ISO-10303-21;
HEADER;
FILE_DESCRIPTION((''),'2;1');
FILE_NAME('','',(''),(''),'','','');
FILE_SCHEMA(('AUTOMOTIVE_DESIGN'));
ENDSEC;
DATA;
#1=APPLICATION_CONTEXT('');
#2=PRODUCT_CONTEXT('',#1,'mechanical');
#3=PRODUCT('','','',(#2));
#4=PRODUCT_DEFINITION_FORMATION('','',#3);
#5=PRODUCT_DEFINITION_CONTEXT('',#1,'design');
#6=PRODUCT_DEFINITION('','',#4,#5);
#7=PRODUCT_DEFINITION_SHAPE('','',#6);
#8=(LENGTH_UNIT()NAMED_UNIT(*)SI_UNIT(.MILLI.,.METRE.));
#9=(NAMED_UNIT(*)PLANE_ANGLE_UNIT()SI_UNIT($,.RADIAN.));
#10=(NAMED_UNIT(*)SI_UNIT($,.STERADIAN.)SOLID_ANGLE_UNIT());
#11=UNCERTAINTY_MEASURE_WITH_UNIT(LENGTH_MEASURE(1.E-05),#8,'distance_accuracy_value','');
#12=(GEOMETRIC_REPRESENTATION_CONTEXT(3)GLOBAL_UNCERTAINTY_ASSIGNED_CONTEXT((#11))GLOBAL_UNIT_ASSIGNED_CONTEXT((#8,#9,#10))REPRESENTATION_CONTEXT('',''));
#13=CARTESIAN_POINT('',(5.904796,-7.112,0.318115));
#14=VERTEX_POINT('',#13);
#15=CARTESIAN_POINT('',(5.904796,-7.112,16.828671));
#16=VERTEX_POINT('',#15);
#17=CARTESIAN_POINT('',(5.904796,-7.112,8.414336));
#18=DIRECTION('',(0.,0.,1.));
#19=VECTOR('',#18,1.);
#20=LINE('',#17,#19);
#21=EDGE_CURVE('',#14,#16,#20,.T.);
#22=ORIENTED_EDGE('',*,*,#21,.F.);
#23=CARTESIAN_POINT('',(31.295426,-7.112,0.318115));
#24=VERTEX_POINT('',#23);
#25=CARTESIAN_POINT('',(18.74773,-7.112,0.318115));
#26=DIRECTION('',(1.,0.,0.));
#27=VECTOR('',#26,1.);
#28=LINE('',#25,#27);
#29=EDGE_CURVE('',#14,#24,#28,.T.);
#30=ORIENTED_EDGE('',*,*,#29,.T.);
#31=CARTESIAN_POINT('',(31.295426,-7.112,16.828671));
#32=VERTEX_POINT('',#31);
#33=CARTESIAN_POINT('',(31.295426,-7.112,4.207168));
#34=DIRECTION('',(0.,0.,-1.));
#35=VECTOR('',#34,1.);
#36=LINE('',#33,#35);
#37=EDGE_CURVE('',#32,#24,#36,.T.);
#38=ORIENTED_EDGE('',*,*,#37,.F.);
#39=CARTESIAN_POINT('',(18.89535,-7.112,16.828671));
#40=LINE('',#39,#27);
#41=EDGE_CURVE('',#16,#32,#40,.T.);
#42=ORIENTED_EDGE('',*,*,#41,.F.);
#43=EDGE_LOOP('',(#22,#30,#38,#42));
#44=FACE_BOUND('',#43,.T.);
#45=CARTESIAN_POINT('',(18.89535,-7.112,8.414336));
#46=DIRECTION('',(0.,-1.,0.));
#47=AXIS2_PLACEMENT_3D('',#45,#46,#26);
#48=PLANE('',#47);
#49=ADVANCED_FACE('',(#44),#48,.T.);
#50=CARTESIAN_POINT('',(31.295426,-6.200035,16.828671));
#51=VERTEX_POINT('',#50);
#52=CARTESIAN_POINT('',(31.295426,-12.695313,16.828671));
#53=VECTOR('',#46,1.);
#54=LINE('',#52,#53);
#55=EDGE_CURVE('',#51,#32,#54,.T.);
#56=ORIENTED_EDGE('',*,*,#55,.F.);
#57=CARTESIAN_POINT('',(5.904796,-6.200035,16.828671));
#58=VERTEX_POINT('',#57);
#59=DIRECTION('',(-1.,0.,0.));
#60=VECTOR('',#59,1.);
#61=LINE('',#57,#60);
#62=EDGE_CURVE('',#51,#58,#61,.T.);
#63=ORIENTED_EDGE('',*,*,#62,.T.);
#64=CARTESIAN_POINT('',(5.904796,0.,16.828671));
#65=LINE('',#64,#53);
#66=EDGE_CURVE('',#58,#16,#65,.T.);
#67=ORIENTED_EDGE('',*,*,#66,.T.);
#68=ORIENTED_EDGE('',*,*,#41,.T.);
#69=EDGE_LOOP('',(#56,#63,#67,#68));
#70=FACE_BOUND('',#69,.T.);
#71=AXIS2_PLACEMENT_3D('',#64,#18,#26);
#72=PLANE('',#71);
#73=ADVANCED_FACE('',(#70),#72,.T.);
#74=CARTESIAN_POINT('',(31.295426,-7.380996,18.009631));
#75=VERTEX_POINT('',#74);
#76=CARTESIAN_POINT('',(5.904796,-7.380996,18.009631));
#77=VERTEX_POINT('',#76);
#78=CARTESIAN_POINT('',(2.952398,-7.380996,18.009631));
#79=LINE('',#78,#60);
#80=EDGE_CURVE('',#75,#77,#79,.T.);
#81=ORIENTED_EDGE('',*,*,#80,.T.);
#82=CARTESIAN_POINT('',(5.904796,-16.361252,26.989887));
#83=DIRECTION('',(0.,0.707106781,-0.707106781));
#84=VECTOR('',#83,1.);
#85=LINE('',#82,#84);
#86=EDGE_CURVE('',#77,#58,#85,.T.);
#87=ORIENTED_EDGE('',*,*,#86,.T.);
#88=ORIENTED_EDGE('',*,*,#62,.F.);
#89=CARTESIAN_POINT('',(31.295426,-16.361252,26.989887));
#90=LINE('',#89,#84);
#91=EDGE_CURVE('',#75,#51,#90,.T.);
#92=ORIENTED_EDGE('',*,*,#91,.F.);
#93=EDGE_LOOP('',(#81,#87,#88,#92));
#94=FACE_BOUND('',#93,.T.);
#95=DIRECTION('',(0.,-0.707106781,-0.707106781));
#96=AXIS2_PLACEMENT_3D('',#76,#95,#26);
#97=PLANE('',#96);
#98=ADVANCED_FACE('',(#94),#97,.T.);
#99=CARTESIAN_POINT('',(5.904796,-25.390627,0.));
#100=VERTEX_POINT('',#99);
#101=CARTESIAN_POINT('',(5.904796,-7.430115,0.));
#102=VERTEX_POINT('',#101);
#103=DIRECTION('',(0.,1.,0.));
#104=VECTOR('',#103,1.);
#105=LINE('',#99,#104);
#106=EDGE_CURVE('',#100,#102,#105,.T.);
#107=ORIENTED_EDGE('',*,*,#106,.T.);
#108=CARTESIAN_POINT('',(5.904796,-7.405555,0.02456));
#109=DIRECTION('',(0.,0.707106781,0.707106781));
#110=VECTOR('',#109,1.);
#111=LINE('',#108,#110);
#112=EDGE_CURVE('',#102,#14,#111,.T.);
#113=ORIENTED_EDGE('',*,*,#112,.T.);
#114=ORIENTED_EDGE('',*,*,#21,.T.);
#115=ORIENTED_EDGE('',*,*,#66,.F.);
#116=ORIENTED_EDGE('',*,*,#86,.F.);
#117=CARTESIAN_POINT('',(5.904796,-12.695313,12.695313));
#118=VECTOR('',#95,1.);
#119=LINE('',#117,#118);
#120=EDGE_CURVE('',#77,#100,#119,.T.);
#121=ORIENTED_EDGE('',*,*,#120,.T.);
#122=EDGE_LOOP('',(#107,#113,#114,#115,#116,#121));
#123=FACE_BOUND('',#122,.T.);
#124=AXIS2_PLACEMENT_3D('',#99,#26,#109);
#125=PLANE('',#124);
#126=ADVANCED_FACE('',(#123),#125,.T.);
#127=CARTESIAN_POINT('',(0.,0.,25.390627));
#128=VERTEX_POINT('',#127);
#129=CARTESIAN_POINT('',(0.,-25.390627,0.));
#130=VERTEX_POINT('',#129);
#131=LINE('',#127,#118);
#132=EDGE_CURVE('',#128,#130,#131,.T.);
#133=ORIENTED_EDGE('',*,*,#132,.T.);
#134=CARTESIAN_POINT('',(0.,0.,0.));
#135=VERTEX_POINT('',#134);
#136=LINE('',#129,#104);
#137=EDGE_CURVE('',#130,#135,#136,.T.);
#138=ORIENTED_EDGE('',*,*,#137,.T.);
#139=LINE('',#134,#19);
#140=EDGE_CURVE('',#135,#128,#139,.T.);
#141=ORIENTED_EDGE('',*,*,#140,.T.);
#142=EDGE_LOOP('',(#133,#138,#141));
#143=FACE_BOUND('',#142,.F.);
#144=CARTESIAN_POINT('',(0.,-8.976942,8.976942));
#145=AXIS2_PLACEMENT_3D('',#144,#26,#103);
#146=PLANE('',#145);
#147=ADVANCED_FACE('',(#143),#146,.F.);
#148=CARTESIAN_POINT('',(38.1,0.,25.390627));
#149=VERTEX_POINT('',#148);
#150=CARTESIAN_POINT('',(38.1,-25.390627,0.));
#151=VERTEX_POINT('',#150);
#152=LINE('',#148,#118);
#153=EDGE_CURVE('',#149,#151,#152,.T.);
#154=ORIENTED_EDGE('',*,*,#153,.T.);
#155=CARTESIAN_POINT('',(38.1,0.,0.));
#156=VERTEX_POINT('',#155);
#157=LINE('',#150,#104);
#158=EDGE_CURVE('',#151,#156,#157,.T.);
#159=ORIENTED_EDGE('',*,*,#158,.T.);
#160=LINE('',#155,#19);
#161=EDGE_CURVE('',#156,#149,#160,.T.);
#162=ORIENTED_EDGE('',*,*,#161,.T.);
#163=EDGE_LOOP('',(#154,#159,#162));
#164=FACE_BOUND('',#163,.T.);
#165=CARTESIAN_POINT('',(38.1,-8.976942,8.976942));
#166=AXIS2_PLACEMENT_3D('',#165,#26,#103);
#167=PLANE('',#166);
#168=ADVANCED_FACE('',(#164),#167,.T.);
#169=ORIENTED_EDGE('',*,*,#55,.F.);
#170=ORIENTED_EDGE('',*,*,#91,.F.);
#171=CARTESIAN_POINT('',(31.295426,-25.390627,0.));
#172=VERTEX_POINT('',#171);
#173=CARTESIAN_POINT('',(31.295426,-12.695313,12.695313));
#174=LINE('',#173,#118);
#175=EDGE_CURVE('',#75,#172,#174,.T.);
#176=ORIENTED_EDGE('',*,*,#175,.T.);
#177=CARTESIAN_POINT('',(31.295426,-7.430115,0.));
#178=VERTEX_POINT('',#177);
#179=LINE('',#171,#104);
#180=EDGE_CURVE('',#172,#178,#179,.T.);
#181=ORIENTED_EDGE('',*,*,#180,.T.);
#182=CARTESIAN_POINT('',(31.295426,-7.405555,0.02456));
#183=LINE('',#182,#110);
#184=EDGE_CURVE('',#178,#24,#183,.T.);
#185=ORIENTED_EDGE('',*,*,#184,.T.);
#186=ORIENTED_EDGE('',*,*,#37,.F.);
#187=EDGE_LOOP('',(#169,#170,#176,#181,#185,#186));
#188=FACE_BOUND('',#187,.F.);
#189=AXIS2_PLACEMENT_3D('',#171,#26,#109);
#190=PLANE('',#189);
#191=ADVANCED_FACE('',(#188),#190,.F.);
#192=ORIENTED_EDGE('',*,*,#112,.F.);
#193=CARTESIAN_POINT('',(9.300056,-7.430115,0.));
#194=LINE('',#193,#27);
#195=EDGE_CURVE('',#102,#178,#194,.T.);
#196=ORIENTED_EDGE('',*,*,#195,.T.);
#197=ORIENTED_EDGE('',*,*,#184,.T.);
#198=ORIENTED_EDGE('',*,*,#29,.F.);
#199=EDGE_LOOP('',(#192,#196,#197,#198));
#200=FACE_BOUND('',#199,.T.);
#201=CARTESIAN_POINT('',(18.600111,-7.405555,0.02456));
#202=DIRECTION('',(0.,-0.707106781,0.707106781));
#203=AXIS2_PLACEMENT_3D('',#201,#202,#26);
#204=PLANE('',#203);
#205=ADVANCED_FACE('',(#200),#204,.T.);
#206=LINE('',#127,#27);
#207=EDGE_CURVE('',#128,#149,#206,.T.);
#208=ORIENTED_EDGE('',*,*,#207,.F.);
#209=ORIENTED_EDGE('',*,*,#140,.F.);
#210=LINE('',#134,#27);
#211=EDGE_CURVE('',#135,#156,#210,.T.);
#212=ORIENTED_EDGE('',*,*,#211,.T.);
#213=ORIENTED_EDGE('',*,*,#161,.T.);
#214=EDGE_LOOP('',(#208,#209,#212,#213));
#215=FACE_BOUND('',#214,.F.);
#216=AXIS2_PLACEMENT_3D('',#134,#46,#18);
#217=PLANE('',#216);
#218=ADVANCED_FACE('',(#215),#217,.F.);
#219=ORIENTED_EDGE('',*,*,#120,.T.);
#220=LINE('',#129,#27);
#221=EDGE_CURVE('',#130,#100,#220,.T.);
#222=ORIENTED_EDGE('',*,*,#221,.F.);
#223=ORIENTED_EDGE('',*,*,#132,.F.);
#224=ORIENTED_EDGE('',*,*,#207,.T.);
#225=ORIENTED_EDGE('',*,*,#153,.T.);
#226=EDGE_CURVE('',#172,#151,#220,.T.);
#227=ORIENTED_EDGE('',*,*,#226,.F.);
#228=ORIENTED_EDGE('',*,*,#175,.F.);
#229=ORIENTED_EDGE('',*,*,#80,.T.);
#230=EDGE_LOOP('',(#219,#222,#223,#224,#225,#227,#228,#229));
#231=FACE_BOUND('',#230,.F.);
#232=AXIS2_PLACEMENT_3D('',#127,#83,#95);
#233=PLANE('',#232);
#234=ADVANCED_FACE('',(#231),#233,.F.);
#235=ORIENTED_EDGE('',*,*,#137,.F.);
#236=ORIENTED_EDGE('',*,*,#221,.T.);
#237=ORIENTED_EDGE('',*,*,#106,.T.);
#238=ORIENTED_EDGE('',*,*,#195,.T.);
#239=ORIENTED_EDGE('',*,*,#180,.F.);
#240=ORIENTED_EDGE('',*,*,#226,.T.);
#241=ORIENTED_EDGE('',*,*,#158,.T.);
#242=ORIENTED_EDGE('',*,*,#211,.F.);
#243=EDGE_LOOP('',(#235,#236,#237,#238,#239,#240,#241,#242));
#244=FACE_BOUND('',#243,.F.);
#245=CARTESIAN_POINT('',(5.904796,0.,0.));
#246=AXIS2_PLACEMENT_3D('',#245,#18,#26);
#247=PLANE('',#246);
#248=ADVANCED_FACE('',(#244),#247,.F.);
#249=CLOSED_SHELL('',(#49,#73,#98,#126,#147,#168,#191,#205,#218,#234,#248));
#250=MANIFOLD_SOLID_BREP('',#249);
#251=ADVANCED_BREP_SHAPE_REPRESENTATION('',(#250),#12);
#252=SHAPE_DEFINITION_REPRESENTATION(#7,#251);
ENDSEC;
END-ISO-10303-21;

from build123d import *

# Parameters (mm, degrees)
F1_DEPTH = 38.1
F2_W     = 25.3906301223
F2_H     = 25.4694648265
F3_DEPTH = 12.7
F4_W     = 25.981107261
F4_H     = 16.8286710978
F5_DEPTH = 7.112


with BuildPart() as f1:
    # F0 (on Right) → F1 (new body)
    with BuildSketch(Plane.YZ):
        Polygon((-25.3906268626, 0), (0, 0), (0, 25.3906268626), align=None)
    extrude(amount=F1_DEPTH)

    # F2 (on face) → F3 (cut, symmetric)
    with BuildSketch(Plane(origin=(0, -12.6953134313, 12.6953134313), x_dir=(1, 0, 0), z_dir=(0, -0.7071067812, 0.7071067812))):
        with Locations((18.6001111288, -5.2191520199)):
            Rectangle(F2_W, F2_H)
    extrude(amount=F3_DEPTH, both=True, mode=Mode.SUBTRACT)

    # F4 (on Front) → F5 (join)
    with BuildSketch(Plane.XZ):
        with Locations((18.8953496981, 8.4143355489)):
            Rectangle(F4_W, F4_H)
    extrude(amount=F5_DEPTH)


solid = f1.part
